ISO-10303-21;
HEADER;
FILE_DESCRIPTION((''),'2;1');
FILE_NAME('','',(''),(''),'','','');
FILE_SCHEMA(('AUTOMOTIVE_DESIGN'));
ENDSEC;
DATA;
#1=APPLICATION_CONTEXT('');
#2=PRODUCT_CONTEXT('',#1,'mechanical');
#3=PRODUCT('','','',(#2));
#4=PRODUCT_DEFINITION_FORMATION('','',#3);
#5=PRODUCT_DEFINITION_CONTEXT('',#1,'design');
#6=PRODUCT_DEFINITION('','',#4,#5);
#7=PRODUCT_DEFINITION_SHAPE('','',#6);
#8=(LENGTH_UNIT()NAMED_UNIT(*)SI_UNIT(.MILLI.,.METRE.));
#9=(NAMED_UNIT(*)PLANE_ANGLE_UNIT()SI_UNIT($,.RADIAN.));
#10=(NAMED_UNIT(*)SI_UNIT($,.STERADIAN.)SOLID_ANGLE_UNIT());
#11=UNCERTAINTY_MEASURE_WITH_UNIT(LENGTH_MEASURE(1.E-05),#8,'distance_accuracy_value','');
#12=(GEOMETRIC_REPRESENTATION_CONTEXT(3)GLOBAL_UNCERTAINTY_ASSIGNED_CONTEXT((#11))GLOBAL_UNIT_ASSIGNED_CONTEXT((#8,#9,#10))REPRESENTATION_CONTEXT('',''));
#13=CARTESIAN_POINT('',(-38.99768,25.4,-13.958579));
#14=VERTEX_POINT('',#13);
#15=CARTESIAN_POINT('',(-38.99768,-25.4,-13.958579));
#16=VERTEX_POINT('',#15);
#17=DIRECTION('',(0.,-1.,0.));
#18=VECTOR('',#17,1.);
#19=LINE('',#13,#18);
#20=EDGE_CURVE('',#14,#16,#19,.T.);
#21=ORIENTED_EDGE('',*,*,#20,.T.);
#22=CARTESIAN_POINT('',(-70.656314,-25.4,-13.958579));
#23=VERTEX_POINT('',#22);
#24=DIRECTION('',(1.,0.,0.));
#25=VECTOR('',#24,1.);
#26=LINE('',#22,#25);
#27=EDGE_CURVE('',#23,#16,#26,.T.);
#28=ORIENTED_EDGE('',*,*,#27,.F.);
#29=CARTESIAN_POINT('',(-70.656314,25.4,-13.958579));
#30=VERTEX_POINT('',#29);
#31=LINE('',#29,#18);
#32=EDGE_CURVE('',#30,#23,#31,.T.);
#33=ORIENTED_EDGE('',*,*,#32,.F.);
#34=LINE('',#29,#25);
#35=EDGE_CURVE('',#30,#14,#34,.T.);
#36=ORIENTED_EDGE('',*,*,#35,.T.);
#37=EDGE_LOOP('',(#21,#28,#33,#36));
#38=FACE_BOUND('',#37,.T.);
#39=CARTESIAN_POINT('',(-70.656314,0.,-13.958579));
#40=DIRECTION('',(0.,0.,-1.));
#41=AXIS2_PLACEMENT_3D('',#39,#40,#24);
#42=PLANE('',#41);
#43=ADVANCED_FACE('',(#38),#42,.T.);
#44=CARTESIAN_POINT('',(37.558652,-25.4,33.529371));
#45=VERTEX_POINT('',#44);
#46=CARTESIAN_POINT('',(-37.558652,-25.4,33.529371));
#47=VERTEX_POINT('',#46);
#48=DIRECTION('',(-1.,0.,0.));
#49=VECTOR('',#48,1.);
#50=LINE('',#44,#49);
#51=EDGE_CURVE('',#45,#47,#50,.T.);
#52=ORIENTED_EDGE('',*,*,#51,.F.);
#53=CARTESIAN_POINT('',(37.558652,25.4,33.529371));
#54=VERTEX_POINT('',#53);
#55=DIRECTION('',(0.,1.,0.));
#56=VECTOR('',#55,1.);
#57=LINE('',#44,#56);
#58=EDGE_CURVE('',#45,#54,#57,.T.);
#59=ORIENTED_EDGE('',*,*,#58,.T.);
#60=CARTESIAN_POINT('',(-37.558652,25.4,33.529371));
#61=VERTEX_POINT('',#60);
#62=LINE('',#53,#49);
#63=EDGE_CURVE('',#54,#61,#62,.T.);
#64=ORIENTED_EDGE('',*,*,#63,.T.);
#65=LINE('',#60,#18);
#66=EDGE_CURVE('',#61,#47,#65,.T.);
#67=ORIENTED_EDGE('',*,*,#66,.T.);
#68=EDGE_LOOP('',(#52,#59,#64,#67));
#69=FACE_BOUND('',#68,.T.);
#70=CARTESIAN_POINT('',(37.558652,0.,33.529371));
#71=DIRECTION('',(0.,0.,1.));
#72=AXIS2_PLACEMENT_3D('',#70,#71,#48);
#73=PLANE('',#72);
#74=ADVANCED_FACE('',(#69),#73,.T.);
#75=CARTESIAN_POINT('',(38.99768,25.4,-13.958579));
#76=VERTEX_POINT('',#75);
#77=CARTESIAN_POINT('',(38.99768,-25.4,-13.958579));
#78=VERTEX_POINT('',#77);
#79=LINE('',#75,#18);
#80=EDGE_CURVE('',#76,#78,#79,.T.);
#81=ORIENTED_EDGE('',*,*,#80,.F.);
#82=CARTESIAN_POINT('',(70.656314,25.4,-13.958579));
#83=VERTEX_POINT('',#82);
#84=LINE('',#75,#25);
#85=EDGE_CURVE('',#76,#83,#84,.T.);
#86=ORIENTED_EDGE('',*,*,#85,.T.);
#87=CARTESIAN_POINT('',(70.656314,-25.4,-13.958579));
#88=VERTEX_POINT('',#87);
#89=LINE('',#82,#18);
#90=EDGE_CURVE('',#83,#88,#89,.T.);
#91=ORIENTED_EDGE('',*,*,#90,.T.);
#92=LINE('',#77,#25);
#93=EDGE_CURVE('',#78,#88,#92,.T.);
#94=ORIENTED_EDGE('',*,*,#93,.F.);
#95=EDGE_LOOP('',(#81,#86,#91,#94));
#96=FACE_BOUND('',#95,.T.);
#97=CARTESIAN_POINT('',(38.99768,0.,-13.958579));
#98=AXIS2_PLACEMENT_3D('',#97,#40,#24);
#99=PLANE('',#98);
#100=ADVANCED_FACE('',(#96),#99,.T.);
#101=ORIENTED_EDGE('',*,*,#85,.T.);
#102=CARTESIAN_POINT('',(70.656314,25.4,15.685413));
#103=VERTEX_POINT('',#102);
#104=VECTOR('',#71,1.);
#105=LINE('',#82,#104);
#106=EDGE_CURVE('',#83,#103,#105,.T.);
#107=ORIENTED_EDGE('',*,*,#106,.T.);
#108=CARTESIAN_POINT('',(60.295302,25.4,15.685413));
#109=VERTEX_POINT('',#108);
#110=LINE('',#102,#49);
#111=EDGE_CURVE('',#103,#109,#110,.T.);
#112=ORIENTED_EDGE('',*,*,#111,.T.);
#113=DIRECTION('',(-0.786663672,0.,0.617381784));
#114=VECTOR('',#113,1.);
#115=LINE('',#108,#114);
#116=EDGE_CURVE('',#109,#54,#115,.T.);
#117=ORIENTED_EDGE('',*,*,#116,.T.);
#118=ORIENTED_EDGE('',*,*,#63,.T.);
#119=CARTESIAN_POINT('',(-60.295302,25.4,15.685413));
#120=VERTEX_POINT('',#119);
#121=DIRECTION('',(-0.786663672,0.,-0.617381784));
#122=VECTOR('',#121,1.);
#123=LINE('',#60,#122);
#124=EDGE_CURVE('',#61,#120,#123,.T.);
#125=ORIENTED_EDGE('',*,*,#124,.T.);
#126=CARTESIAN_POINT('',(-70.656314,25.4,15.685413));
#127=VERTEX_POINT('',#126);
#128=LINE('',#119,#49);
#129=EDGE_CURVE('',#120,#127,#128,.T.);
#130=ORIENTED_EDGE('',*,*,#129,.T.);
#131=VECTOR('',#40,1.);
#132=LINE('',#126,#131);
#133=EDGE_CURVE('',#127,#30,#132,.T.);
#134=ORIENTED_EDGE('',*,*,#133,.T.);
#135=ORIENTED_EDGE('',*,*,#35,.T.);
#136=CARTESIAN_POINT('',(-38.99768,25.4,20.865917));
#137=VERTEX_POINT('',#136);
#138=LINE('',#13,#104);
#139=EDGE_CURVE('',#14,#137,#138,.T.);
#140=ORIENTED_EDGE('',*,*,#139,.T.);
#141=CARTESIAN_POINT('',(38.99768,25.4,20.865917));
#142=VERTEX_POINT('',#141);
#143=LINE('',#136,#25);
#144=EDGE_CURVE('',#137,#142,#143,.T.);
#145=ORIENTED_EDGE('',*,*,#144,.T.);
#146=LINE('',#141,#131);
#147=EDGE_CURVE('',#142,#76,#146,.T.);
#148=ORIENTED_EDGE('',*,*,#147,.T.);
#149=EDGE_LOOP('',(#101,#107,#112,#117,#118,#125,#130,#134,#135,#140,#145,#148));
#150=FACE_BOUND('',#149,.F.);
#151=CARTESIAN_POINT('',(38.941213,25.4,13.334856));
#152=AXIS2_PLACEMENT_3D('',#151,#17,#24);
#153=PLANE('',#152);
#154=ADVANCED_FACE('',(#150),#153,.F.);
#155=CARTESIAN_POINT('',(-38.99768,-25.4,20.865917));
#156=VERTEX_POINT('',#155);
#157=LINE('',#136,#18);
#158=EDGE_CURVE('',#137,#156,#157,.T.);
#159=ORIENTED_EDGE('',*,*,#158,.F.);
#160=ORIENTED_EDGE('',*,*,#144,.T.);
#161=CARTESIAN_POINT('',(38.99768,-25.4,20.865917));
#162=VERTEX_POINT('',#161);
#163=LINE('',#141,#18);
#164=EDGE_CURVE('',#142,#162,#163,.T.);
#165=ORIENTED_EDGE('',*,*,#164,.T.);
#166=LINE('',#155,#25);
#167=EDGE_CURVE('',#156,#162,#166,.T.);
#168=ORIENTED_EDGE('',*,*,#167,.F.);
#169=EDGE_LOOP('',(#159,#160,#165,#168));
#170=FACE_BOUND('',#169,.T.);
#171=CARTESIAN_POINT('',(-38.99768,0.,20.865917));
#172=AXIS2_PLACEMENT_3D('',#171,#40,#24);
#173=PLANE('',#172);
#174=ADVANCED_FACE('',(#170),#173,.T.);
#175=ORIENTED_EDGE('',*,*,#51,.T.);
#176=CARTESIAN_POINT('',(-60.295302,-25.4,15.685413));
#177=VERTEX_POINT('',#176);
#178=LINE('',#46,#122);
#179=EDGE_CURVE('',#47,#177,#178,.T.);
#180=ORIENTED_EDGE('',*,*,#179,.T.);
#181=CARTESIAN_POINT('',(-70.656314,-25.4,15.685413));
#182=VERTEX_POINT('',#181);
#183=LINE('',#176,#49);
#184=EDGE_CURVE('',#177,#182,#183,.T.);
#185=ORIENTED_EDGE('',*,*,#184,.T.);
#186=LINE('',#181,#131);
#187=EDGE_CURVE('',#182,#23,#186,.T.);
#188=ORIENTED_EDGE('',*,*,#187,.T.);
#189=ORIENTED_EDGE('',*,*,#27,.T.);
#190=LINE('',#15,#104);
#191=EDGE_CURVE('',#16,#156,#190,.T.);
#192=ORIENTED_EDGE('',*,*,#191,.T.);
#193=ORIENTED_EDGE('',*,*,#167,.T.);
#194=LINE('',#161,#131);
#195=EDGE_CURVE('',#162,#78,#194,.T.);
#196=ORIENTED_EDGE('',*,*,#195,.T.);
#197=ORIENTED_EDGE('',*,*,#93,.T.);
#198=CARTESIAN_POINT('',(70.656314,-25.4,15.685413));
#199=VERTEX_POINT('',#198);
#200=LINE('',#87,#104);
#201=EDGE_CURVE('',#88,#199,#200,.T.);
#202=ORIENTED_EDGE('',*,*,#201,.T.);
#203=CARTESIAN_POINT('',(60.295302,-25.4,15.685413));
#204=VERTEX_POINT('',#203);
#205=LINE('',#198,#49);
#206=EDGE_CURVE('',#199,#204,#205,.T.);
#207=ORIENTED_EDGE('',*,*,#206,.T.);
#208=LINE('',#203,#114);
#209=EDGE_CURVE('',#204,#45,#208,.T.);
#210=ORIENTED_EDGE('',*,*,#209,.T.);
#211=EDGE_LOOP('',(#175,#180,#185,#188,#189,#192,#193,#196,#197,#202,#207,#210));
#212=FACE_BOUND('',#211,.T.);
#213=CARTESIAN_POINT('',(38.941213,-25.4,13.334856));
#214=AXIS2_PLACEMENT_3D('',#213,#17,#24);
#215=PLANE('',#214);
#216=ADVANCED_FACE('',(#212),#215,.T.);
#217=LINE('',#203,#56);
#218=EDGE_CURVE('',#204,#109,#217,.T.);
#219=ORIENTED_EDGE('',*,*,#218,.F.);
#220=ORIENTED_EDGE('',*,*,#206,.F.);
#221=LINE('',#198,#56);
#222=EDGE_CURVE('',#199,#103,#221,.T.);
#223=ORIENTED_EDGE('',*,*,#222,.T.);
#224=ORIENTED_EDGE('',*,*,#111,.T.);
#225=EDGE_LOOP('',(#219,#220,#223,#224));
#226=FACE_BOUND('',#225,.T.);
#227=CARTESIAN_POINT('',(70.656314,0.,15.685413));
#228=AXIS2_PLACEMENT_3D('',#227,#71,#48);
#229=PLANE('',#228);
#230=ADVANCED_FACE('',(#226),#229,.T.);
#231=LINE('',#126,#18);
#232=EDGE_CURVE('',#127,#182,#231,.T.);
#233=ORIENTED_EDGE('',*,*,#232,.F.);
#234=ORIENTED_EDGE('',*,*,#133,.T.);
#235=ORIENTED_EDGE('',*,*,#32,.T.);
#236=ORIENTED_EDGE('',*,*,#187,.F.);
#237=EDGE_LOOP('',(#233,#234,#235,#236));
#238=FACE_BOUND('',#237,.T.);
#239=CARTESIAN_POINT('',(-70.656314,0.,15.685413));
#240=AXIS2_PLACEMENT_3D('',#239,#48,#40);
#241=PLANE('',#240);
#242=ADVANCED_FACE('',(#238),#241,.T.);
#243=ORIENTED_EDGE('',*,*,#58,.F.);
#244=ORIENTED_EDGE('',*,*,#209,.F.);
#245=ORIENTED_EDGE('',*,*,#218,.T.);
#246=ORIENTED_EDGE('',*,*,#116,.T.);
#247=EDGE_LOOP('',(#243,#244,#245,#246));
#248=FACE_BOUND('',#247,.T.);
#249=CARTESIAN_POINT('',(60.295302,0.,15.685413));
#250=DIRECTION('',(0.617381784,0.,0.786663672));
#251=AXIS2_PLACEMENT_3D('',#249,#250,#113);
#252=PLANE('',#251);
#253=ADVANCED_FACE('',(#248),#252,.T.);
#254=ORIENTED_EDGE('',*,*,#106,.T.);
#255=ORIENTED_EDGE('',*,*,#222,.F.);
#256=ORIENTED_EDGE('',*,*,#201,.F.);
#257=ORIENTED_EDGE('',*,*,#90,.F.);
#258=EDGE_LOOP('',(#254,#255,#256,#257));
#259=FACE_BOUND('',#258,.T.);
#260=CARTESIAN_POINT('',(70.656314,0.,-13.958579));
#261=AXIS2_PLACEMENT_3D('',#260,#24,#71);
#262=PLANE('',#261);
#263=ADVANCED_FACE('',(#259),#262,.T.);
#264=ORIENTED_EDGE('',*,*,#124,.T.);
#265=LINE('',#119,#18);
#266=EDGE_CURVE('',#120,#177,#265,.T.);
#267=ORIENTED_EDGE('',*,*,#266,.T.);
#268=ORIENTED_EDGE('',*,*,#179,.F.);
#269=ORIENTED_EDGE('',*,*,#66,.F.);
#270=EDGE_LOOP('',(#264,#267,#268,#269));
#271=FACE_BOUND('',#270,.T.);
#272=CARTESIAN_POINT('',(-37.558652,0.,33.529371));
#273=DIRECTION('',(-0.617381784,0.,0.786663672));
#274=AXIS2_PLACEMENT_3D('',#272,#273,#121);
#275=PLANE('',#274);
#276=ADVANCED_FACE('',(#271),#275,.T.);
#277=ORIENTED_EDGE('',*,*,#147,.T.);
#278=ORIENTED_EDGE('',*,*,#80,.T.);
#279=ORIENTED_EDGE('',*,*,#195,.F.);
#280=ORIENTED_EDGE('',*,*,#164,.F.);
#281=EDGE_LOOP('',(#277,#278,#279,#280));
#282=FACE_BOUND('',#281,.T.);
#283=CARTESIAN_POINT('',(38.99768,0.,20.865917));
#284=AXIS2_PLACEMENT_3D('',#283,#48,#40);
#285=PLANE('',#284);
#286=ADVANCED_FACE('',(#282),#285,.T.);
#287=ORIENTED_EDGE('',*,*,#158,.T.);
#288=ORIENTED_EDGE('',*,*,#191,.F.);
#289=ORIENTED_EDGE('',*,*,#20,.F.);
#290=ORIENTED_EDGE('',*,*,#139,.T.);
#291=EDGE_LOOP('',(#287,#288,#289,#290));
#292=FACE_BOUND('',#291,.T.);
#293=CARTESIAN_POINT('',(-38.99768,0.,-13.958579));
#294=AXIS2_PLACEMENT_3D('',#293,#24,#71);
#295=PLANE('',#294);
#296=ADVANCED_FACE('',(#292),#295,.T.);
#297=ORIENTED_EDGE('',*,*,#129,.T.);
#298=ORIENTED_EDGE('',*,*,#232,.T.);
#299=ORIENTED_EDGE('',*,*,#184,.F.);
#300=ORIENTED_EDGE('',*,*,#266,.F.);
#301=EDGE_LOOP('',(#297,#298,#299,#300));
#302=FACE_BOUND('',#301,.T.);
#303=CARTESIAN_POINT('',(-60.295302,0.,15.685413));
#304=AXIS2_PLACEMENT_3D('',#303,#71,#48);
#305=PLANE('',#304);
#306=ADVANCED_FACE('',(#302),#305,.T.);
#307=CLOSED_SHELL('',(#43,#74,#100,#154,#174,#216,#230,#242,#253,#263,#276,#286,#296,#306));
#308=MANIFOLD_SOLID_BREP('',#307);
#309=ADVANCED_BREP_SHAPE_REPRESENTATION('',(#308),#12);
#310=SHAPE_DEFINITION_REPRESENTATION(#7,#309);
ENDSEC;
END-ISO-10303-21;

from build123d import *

# Parameters (mm, degrees)
F1_DEPTH      = 25.4
F1_DEPTH_BACK = 25.4


with BuildPart() as f1:
    # F0 (on Front) → F1 (new body, two sides)
    with BuildSketch(Plane.XZ) as f1_sk:
        Polygon((37.558652, 33.529371), (0, 33.529371), (0, 20.865917), (38.99768, 20.865917), (38.99768, -13.958579), (70.656314, -13.958579), (70.656314, 15.685413), (60.295302, 15.685413), align=None)
        Polygon((0, 20.865917), (0, 33.529371), (-37.558652, 33.529371), (-60.295302, 15.685413), (-70.656314, 15.685413), (-70.656314, -13.958579), (-38.99768, -13.958579), (-38.99768, 20.865917), align=None)
    extrude(amount=F1_DEPTH)
    extrude(f1_sk.sketch, amount=-F1_DEPTH_BACK)


solid = f1.part
